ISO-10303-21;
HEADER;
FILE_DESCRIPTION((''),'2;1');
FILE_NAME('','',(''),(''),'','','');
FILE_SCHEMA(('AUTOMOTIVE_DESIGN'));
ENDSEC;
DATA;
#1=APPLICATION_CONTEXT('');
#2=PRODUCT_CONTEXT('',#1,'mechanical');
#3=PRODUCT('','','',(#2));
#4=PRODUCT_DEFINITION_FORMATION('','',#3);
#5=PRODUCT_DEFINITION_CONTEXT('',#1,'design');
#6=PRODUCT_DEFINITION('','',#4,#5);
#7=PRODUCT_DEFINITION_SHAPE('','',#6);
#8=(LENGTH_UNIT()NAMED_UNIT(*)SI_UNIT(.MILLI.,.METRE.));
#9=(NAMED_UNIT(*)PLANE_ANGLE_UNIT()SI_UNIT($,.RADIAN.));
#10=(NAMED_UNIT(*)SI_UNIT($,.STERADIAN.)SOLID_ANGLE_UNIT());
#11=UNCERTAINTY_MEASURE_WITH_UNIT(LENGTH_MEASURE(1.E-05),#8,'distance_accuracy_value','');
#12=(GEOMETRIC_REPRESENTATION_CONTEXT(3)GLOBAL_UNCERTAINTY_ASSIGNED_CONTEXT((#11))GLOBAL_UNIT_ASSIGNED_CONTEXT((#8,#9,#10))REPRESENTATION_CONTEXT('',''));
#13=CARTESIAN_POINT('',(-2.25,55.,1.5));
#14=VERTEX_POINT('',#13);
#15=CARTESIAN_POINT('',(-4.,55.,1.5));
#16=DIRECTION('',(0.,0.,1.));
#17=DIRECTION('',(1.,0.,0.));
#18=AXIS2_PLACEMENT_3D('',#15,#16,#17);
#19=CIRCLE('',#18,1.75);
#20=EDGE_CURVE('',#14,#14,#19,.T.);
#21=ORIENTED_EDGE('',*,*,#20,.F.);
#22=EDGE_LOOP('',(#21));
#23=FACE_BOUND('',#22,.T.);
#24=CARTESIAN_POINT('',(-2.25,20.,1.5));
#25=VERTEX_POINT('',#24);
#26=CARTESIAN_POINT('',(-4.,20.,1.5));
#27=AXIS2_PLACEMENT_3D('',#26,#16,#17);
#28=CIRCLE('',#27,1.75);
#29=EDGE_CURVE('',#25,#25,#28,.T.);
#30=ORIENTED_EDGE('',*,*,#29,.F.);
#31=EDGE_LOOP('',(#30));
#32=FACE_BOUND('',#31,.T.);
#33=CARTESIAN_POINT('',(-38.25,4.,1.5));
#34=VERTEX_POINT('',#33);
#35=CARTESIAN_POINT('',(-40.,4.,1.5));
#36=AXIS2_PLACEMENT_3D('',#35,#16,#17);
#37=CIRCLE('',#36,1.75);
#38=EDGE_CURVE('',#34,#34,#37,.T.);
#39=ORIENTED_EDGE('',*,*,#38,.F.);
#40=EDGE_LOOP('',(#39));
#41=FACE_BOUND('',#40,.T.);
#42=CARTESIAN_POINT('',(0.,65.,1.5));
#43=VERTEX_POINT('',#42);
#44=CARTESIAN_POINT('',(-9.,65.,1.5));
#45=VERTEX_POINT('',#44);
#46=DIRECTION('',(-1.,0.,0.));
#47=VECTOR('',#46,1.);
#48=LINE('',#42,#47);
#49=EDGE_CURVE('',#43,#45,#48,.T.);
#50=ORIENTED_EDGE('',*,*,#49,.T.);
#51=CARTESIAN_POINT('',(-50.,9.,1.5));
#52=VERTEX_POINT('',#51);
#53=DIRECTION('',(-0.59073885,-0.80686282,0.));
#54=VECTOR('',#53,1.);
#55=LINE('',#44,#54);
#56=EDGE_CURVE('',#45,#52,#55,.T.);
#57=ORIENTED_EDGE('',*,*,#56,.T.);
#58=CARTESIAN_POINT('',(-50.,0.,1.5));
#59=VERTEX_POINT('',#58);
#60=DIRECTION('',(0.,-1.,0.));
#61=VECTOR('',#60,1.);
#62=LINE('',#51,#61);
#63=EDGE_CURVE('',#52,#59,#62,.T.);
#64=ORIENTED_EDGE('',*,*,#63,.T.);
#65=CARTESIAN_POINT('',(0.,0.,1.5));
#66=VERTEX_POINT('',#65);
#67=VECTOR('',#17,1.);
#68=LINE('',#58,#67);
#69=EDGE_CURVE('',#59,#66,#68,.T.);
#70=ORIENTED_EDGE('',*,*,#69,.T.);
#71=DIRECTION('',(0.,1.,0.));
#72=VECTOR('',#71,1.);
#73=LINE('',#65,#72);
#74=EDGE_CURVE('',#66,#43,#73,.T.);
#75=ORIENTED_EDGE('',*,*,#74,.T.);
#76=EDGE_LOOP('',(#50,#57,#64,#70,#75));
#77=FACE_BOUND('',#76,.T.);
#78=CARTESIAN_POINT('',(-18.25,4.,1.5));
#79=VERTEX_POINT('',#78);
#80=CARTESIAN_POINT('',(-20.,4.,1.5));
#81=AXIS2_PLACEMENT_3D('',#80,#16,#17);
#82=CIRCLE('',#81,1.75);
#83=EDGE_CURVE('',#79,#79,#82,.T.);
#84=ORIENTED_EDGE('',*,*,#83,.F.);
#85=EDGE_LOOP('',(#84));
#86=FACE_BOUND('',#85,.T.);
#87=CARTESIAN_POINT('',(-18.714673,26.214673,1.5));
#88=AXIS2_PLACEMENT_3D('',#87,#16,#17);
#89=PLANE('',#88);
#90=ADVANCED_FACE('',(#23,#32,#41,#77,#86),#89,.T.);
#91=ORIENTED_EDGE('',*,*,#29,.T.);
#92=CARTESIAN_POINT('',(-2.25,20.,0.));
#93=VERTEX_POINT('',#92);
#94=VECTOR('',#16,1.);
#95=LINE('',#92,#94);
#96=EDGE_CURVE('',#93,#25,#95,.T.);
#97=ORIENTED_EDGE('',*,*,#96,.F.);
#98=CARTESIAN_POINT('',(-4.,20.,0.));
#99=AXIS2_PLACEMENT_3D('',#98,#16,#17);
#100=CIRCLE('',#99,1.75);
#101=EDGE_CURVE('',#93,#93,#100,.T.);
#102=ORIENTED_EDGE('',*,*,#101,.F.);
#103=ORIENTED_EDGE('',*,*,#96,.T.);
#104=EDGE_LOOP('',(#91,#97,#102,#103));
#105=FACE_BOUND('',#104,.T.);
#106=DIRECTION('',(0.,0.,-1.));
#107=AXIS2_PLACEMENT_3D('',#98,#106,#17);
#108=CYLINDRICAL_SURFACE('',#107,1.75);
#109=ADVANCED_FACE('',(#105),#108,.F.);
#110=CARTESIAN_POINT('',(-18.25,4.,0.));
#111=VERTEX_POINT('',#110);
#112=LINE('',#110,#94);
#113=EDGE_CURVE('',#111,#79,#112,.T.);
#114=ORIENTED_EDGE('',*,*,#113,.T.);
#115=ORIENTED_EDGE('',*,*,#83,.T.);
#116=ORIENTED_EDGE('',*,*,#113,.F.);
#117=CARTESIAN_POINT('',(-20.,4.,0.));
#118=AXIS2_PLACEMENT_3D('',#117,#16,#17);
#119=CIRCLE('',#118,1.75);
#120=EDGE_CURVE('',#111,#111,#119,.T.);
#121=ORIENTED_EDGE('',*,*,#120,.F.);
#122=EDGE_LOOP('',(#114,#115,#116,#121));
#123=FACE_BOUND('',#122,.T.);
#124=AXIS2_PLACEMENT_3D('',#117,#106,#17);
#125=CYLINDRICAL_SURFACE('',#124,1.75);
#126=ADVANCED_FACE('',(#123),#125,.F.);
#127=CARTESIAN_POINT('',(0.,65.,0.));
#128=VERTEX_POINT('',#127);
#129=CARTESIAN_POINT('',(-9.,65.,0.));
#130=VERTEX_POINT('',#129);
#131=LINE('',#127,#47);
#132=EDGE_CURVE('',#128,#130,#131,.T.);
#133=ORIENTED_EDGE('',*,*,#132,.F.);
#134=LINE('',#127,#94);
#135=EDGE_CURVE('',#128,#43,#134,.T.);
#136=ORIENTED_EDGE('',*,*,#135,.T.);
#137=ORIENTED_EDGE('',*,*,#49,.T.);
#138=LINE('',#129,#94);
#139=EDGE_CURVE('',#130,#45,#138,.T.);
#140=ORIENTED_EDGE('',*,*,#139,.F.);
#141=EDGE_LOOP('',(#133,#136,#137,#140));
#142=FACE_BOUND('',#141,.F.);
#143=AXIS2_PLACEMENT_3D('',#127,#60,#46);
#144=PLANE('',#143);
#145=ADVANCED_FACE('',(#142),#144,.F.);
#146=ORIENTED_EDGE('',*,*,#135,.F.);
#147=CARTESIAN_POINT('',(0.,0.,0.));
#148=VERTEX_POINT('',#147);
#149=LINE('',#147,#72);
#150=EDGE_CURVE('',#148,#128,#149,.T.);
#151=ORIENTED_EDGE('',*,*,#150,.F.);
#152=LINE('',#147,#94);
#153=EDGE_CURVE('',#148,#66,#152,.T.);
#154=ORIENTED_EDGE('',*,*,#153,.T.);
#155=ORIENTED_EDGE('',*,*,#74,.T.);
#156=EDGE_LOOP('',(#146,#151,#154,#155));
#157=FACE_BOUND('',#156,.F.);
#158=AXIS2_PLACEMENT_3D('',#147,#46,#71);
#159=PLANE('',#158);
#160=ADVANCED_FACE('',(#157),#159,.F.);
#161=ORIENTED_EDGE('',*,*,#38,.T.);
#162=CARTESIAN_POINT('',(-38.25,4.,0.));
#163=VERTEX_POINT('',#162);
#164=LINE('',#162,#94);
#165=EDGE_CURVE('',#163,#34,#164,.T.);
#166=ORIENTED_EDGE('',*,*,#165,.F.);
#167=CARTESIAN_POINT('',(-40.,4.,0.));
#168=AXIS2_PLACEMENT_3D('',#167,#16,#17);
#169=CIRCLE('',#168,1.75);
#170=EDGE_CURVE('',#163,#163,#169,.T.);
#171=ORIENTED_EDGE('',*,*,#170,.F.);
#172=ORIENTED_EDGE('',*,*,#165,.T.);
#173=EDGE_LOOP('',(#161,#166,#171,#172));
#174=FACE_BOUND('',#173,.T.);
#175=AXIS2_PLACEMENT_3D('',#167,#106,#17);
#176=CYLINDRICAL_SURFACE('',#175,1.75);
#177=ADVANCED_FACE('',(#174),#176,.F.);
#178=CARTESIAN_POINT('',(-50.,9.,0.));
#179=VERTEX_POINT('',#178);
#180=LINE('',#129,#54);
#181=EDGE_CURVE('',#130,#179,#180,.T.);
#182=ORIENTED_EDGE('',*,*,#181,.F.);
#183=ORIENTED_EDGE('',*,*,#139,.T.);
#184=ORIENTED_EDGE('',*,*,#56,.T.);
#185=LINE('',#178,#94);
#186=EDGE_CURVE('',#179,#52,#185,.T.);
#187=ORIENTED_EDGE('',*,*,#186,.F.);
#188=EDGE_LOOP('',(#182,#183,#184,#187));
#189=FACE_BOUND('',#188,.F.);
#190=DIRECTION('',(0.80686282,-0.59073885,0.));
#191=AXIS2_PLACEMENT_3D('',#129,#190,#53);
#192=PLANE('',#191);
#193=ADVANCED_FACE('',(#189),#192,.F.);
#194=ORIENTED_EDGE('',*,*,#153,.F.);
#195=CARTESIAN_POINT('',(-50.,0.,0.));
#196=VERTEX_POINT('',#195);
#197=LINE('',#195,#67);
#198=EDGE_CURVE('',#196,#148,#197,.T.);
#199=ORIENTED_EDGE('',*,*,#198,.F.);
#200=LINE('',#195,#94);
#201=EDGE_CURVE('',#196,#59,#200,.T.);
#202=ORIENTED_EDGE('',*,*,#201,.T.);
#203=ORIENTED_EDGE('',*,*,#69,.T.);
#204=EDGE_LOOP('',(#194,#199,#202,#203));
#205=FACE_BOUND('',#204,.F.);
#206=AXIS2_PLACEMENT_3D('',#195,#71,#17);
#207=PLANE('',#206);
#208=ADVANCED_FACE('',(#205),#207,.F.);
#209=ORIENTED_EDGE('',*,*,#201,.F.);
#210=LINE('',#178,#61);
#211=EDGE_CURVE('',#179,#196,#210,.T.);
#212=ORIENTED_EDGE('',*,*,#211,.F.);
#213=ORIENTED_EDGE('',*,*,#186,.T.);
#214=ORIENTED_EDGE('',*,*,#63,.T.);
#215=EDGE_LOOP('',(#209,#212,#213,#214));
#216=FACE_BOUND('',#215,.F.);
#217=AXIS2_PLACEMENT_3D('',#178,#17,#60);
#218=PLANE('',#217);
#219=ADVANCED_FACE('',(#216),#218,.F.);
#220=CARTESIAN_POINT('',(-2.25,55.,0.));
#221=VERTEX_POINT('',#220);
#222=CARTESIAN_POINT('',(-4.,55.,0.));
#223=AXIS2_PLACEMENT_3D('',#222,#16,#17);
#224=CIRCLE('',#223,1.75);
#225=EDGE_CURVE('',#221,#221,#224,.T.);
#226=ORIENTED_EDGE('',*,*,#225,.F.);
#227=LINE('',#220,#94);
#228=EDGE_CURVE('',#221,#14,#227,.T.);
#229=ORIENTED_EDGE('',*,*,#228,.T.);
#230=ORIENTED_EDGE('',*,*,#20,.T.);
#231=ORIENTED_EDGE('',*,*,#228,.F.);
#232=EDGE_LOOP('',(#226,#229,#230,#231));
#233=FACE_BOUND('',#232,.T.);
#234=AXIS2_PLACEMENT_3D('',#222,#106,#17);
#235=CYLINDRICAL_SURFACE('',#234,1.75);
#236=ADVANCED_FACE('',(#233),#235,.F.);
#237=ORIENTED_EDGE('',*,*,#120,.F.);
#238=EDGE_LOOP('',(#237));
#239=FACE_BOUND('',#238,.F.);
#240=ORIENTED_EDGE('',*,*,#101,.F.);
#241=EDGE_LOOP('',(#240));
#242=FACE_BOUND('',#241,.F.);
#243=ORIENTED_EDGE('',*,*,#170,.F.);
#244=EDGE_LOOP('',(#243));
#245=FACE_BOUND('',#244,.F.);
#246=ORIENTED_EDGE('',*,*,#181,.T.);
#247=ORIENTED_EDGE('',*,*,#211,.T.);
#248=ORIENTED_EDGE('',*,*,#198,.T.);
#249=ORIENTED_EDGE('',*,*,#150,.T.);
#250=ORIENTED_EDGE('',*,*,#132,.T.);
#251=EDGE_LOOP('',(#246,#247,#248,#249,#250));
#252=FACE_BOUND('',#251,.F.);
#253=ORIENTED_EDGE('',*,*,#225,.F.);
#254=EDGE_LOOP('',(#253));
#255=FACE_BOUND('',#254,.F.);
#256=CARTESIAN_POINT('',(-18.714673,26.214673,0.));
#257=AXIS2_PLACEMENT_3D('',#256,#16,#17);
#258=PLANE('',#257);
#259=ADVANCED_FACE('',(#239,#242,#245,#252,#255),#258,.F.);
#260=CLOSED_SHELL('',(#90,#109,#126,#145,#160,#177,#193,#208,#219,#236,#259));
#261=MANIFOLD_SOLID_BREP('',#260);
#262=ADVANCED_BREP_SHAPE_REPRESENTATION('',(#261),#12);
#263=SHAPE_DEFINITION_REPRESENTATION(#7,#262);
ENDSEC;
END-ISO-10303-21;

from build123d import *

# Parameters (mm, degrees)
F0_R     = 1.75
F1_DEPTH = 1.5


with BuildPart() as f1:
    # F0 (on Top) → F1 (new body)
    with BuildSketch(Plane.XY):
        Polygon((-50, 0), (0, 0), (0, 65), (-9, 65), (-50, 9), align=None)
        with Locations((-40, 4)):
            Circle(F0_R, mode=Mode.SUBTRACT)
        with Locations((-20, 4)):
            Circle(F0_R, mode=Mode.SUBTRACT)
        with Locations((-4, 20)):
            Circle(F0_R, mode=Mode.SUBTRACT)
        with Locations((-4, 55)):
            Circle(F0_R, mode=Mode.SUBTRACT)
    extrude(amount=F1_DEPTH)


solid = f1.part
